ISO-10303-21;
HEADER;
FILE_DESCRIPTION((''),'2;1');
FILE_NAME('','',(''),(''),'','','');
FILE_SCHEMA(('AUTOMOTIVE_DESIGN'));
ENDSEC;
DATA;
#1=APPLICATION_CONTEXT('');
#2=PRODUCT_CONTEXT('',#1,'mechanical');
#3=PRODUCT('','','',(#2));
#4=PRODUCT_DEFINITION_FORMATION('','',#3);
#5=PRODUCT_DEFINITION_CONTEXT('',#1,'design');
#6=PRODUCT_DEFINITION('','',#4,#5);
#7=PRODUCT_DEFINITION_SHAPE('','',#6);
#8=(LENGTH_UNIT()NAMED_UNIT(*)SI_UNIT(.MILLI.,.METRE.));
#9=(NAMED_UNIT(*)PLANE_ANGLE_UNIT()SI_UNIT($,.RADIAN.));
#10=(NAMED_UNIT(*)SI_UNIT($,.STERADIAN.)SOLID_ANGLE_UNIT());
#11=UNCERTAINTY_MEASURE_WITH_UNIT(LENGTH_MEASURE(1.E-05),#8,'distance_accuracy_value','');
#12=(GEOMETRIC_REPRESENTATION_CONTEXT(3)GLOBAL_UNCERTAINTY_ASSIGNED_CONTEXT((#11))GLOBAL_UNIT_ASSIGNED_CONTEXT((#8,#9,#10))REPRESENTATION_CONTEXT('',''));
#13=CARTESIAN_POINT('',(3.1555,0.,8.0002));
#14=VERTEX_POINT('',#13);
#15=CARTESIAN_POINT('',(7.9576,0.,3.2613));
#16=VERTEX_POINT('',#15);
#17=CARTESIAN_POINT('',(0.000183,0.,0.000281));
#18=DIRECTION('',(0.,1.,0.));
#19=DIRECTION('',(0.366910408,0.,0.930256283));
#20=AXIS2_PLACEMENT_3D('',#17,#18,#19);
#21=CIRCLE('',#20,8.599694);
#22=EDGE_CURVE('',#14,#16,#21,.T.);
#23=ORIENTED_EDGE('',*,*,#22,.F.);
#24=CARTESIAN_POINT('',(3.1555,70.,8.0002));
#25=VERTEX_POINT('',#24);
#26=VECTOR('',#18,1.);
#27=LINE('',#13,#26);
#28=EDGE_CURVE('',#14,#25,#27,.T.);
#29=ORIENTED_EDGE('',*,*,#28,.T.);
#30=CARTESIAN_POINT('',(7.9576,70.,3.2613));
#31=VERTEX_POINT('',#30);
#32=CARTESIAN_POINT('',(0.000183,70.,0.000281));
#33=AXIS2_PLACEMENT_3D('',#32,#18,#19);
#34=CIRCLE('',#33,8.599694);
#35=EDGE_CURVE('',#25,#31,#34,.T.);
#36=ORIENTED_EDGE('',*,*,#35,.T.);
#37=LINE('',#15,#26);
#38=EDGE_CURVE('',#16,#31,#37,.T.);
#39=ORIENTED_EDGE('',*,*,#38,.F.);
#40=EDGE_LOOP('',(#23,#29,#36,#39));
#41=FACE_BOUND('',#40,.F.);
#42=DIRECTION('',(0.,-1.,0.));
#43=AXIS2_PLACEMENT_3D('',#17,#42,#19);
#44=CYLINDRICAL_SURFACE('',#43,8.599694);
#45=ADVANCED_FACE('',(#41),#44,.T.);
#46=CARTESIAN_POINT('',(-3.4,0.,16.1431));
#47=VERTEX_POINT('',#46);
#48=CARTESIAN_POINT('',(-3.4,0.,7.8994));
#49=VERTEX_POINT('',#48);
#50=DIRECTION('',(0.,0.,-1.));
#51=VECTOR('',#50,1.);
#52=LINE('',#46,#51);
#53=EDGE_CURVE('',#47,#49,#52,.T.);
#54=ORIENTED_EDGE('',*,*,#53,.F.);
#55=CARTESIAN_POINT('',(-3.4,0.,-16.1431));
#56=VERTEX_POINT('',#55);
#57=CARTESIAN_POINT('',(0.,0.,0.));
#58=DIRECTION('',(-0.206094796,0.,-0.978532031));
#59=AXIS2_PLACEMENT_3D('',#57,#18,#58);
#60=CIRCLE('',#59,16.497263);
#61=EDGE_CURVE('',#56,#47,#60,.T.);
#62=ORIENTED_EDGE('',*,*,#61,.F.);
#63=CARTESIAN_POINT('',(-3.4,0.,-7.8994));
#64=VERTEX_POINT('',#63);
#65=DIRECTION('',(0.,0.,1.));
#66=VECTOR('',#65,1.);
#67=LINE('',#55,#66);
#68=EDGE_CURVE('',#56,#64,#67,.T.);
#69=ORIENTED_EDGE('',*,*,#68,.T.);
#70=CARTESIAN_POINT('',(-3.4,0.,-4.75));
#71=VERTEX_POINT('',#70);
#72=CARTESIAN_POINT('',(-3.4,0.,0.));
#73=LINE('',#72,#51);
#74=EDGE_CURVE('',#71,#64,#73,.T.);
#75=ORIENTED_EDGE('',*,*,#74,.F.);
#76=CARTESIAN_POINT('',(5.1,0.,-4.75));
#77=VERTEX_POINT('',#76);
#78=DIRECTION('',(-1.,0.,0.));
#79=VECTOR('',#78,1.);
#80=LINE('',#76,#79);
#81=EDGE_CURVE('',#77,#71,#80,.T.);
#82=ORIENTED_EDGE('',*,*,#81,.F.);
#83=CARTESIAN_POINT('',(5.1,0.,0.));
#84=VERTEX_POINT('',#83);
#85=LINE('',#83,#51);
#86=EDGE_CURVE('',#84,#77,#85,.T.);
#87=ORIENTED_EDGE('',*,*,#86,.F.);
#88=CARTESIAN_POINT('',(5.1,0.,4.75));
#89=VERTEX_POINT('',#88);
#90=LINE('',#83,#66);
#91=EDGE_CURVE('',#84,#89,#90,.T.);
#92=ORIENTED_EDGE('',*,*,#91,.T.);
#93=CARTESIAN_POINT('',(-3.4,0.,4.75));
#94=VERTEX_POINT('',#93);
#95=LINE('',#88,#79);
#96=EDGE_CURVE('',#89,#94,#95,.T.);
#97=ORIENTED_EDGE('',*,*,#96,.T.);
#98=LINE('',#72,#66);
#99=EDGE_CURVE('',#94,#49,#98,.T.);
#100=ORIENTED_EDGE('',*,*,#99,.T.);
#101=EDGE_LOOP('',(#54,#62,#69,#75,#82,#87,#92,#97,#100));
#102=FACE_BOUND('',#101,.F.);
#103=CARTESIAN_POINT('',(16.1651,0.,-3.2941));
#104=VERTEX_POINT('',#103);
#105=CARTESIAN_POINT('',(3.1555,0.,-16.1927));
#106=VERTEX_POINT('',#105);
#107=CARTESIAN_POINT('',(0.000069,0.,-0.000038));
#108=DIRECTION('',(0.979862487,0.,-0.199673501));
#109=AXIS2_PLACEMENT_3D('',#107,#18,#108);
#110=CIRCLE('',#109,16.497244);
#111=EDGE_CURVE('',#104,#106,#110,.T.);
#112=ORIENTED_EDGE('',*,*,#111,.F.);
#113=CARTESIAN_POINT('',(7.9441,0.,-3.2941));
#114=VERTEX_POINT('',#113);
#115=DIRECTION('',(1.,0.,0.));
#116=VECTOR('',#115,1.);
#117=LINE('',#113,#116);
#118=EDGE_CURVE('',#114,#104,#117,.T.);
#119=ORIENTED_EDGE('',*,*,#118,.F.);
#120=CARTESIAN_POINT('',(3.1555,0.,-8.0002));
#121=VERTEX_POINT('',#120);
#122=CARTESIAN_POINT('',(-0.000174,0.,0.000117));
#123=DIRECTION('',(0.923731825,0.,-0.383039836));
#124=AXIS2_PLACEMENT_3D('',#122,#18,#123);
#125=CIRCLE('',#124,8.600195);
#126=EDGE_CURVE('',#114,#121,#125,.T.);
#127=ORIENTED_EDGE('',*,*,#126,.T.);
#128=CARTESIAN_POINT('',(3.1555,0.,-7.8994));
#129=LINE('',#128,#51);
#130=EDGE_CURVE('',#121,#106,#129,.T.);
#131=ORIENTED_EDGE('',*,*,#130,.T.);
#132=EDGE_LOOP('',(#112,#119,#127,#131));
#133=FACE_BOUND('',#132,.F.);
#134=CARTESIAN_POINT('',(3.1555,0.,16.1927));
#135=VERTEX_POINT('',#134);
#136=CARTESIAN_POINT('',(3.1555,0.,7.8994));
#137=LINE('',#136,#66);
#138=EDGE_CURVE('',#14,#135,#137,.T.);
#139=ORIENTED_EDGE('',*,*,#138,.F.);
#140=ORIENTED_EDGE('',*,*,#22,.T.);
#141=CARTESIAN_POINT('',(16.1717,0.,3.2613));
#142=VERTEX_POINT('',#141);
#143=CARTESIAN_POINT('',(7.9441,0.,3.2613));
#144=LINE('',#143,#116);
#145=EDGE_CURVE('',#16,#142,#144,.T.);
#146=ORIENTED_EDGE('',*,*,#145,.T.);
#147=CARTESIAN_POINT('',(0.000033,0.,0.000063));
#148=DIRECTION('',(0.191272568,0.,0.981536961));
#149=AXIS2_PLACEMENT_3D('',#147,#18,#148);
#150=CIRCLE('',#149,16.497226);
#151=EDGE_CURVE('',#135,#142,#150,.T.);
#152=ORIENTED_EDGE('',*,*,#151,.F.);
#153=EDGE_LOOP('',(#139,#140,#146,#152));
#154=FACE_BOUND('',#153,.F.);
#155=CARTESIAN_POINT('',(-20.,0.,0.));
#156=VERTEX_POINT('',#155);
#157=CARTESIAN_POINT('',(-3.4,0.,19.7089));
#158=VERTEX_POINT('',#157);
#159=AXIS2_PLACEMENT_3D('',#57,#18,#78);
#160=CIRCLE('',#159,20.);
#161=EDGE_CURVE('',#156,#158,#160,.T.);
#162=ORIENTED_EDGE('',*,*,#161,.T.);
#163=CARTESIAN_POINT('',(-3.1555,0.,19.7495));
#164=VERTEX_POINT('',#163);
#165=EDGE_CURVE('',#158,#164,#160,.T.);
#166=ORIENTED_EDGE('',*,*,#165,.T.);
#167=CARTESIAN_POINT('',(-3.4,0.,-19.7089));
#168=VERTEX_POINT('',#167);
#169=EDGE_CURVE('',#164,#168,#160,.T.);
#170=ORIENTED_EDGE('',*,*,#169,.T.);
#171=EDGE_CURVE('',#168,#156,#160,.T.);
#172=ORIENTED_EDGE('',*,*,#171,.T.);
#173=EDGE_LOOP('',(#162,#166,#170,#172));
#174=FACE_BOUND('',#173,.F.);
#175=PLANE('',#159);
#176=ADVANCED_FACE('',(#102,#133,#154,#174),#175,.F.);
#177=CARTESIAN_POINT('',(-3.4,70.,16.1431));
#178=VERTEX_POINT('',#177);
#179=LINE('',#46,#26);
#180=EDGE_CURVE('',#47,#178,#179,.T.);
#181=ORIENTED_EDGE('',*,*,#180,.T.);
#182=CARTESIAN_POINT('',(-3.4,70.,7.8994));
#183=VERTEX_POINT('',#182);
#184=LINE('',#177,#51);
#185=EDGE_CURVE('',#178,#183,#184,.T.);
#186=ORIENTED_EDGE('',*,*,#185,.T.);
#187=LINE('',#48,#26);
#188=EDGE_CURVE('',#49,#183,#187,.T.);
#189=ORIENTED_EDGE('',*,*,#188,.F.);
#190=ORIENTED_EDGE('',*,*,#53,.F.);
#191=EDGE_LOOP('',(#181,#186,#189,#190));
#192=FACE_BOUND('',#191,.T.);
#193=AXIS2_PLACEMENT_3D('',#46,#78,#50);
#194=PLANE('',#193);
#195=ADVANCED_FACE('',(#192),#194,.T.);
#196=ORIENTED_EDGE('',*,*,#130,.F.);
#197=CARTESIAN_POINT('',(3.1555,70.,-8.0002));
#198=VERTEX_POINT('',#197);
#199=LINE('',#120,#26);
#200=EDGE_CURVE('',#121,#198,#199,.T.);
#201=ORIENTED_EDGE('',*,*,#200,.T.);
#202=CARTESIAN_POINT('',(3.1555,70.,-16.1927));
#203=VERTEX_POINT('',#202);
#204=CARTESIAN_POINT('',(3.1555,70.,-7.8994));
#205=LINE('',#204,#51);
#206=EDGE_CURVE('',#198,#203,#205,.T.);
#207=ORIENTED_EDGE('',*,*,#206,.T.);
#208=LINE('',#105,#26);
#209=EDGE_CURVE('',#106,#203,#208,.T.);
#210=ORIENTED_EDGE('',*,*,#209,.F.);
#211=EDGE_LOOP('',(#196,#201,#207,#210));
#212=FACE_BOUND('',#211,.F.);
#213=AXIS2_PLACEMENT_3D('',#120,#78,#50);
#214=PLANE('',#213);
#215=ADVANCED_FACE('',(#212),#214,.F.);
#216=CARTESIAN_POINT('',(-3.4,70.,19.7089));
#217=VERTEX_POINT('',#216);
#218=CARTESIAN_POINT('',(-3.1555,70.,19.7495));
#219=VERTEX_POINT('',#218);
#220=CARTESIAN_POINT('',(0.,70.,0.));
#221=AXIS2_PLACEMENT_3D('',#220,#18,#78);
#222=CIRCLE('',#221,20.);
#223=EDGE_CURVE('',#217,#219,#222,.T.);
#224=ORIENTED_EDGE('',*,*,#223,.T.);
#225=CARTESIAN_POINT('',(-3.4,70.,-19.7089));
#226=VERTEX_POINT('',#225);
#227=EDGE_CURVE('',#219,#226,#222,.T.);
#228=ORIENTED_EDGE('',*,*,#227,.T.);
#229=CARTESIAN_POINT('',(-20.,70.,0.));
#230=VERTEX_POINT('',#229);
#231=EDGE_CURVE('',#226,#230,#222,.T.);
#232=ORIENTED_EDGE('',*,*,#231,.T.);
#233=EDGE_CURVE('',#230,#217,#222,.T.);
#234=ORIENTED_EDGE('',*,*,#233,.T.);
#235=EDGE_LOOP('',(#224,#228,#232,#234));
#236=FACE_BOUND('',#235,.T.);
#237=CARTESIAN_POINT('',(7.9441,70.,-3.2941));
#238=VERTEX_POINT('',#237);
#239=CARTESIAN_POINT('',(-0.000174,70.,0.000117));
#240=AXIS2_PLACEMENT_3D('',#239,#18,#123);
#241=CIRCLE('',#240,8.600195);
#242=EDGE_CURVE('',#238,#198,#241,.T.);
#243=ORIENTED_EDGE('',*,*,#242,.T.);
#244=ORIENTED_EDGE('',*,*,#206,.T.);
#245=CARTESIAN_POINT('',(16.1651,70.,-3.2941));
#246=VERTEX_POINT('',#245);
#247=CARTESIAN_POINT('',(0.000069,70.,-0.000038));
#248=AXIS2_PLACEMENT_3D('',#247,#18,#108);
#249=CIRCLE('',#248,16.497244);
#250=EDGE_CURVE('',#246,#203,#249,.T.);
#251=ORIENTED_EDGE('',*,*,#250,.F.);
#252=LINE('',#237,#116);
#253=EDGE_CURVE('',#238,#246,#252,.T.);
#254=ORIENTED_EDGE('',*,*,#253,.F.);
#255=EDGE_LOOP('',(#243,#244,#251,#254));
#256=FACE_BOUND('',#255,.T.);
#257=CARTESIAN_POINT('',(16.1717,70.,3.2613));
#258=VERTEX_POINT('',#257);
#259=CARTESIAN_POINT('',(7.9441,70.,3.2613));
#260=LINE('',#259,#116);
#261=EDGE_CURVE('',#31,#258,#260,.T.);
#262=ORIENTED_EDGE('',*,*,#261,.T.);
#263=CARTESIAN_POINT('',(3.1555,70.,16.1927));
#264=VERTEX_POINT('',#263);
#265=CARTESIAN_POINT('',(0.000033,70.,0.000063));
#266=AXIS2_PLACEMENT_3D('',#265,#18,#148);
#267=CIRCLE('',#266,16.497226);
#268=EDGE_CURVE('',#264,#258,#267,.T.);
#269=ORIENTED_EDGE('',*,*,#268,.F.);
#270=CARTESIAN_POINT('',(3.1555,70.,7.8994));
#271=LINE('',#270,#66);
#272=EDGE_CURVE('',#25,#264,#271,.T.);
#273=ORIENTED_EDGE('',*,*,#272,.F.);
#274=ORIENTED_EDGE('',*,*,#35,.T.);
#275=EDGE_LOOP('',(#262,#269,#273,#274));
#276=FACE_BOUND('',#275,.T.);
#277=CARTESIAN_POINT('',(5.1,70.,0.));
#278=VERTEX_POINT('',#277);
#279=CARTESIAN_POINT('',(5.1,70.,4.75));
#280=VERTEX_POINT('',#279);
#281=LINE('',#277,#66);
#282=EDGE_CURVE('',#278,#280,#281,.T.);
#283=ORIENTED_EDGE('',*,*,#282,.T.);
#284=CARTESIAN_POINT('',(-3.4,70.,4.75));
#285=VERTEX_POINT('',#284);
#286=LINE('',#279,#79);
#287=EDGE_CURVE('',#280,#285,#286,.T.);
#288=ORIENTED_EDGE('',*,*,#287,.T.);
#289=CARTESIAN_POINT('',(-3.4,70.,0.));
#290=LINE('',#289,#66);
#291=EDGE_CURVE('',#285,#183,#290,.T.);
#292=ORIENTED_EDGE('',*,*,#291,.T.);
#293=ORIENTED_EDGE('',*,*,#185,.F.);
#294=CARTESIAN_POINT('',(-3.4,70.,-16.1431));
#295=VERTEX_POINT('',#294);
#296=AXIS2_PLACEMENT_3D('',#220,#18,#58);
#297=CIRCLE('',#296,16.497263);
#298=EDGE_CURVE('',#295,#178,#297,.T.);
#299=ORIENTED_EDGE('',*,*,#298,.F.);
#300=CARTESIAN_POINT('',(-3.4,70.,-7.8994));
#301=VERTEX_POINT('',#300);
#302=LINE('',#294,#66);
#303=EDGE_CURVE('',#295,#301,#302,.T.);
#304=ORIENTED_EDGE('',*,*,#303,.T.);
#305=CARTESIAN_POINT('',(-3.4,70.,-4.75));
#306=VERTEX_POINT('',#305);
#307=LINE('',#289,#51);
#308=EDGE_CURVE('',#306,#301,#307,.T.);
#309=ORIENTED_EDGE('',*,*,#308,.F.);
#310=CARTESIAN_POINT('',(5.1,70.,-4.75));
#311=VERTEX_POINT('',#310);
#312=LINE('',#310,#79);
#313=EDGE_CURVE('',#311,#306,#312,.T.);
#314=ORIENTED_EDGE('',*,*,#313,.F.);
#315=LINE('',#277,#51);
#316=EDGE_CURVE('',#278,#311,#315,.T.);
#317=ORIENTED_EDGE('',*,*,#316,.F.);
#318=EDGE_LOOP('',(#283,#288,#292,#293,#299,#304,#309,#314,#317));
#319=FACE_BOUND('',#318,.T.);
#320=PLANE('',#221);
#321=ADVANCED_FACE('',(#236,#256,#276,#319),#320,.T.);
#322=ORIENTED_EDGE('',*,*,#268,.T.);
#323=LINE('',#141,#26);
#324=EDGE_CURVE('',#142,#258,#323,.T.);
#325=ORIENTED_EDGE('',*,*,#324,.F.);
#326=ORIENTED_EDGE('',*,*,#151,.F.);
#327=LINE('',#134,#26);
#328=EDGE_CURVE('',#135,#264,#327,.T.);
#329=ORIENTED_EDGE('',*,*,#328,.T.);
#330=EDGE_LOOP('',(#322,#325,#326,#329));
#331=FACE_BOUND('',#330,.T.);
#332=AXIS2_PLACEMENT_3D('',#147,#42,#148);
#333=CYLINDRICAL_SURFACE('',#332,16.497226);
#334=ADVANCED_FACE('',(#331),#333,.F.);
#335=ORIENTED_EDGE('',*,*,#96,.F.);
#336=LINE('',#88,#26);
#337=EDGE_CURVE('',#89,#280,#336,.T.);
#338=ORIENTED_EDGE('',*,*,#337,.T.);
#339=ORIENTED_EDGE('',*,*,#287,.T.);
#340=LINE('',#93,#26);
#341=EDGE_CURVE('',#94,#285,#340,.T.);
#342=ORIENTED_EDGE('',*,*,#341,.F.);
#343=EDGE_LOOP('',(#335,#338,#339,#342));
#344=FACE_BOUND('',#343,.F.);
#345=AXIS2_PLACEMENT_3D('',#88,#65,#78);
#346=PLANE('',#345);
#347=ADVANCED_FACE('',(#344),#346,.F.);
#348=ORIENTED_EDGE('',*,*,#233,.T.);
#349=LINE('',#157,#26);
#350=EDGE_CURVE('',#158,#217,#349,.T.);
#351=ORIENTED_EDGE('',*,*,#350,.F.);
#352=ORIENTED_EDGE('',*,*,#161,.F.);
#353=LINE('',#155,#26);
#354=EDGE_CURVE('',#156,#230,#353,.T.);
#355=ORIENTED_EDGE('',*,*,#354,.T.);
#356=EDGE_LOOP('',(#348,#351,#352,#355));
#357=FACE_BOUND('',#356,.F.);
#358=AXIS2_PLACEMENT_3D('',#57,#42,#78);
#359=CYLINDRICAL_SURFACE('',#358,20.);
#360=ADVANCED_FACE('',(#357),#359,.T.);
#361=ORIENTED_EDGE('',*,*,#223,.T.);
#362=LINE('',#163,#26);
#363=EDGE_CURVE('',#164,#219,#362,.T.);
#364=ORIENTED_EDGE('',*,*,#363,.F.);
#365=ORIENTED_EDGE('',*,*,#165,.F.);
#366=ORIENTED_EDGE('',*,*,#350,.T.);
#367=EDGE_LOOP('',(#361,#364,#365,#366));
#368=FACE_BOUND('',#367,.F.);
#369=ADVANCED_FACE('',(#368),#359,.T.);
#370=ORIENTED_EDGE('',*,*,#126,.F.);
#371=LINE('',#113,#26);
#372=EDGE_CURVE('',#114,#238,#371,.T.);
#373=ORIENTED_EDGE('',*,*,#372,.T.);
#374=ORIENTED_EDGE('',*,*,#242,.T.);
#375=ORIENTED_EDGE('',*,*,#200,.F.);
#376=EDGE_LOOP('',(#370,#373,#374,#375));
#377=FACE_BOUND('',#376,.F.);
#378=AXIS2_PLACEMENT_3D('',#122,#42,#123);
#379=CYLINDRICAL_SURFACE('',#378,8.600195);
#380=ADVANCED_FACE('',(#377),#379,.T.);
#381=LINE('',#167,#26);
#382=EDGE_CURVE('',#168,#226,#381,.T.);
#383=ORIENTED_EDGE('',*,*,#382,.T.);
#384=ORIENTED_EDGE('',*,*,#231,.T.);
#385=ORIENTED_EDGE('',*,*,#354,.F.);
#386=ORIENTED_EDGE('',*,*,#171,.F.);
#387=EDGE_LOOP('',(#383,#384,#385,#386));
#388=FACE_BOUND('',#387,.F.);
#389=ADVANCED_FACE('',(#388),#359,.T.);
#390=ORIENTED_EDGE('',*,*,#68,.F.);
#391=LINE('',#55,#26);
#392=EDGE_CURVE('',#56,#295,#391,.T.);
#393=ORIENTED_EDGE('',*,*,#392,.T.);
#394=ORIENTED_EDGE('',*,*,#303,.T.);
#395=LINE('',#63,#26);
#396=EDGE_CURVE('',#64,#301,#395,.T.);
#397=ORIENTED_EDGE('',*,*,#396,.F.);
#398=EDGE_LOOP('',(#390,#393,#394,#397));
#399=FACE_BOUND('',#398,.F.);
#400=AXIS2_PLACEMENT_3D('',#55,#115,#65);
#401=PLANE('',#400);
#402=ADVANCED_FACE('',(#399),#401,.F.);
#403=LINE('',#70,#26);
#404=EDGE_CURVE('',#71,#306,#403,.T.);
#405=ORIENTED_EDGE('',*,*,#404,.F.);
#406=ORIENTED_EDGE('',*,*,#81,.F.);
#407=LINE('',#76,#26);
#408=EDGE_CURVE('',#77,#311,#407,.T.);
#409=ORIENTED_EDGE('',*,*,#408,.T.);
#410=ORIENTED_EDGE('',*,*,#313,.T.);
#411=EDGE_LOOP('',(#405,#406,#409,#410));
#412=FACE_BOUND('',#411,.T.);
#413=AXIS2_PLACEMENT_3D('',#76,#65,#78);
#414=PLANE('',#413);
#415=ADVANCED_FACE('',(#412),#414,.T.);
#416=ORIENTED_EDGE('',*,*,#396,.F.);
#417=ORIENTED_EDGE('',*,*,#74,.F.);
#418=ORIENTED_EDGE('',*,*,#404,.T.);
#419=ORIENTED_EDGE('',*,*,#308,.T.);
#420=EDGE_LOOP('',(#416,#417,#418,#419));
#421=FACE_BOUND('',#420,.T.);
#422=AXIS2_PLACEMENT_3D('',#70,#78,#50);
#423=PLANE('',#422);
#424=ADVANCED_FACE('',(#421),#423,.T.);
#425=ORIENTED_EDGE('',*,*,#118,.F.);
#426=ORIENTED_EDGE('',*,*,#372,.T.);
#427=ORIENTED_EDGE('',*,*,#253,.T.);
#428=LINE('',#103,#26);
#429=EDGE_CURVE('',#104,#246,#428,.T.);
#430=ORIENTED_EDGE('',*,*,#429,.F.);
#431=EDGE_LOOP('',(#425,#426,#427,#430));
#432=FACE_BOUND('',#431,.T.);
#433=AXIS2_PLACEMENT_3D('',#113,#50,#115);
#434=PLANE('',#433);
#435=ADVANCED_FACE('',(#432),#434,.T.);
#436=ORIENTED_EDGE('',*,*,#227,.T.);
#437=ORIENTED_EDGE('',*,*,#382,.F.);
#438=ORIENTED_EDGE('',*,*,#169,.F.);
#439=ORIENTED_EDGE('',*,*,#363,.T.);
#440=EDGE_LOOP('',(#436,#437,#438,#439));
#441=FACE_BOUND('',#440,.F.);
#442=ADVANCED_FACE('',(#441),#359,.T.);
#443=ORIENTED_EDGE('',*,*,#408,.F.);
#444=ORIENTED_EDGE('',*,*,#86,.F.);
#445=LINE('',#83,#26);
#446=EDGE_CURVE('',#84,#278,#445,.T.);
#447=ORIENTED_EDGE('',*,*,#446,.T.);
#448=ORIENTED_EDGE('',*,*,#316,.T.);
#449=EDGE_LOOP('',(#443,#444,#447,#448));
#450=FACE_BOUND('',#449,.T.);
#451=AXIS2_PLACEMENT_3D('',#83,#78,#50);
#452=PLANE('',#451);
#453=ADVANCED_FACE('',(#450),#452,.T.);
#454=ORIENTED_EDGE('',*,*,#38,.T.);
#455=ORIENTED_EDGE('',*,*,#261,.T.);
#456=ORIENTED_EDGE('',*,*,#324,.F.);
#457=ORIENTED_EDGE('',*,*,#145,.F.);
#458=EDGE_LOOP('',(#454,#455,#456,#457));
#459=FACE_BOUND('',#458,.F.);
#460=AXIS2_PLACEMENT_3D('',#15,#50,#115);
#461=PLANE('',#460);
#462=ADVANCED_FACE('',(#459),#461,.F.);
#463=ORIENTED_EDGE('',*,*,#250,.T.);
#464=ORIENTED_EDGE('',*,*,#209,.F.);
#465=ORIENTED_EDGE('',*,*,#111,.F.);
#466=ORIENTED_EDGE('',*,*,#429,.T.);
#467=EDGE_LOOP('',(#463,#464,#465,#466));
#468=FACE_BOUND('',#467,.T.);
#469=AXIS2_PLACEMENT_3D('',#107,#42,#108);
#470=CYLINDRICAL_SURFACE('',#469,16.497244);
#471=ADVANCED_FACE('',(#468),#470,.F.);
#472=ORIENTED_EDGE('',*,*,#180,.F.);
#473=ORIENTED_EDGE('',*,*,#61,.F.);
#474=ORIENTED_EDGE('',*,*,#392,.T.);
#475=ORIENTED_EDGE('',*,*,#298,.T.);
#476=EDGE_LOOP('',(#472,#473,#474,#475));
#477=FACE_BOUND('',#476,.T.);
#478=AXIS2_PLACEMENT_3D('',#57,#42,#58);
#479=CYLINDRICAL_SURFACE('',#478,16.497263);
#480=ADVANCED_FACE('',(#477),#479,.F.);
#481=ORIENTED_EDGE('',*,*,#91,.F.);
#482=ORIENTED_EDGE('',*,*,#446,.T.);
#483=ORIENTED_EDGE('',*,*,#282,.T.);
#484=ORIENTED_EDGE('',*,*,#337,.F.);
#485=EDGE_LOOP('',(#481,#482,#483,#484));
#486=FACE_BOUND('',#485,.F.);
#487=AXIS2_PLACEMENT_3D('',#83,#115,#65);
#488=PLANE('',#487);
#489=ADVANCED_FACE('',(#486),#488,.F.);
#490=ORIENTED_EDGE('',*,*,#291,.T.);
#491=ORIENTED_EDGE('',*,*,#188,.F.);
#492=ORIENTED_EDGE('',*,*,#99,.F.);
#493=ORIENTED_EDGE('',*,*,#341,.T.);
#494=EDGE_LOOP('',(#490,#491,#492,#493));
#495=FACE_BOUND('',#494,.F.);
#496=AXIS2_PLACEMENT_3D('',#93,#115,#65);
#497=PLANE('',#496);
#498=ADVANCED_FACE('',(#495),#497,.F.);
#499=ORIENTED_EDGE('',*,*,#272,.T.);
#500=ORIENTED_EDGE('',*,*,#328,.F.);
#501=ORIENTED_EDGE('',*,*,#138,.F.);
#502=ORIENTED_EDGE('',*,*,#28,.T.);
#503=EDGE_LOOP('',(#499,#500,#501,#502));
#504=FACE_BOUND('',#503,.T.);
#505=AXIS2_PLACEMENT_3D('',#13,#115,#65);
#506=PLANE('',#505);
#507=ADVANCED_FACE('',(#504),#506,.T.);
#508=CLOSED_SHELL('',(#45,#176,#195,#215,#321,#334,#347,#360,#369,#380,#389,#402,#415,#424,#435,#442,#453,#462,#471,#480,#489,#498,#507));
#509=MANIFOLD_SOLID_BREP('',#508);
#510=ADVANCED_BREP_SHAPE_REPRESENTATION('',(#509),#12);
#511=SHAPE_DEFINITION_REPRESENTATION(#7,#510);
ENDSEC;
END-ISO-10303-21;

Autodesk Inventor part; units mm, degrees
ref_plane "YZ Plane" through (0, 0, 0) normal (1, 0, 0) x (0, 1, 0)
ref_plane "XZ Plane" through (0, 0, 0) normal (0, 1, 0) x (-1, 0, 0)
ref_plane "XY Plane" through (0, 0, 0) normal (0, 0, 1) x (1, 0, 0)
sketch "Sketch1" plane through (0, 0, 0) normal (0, 1, 0) x (-1, 0, 0)
  circle A0 centre (0, 0) radius 20
  line L0 (-8.6, 0) -> (3.4, 0)
  line L1 (3.4, 0) -> (3.4, 7.8994)
  line L2 (3.4, 0) -> (3.4, -7.8994)
  line L3 (3.4, 0) -> (-5.1, 0)
  line L4 (-5.1, 0) -> (-5.1, -4.75)
  line L5 (-5.1, -4.75) -> (3.4, -4.75)
  line L6 (3.4, -4.75) -> (3.4, 0)
  line L7 (-5.1, 0) -> (-5.1, 4.75)
  line L8 (-5.1, 4.75) -> (3.4, 4.75)
  line L9 (-3.1555, 7.8994) -> (-3.1555, 16.1927)
  line L10 (-7.9441, -3.2941) -> (-16.1651, -3.2941)
  line L11 (3.1555, 19.7495) -> (3.4, 19.7495)
  line L12 (-3.1555, -7.8994) -> (-3.1555, -16.1927)
  line L13 (-7.9441, 3.2613) -> (-16.1717, 3.2613)
  line L14 (3.4, 19.7495) -> (3.4, 19.7089)
  line L15 (3.4, 16.1431) -> (3.4, 7.8994)
  line L16 (-8.6, -0.0164) -> (-7.9441, -0.0164)
  line L17 (3.4, -19.7495) -> (3.4, -19.7089)
  line L18 (3.4, -16.1431) -> (3.4, -7.8994)
  arc A1 (-7.9441, -3.2941) -> (-3.1555, -8.0002) centre (0, 0) ccw
  arc A2 (-3.1555, 8.0002) -> (-7.9576, 3.2613) centre (0, 0) ccw
  arc A3 (-8.6, 0) -> (-8.6, -0.0164) centre (0, 0) ccw
  arc A4 (3.4, -16.1431) -> (3.4, 16.1431) centre (0, 0) ccw
  arc A5 (-3.1555, 16.1927) -> (-16.1717, 3.2613) centre (0, 0) ccw
  arc A6 (-16.1651, -3.2941) -> (-3.1555, -16.1927) centre (0, 0) ccw
  point P0 (-3.1555, 19.7495)
  point P1 (-19.7269, -3.2941)
  point P2 (-3.1555, -19.7495)
  point P3 (-19.7269, 3.2613)
  dimension "d0" = 40
  dimension "d2" = 12
  dimension "d4" = 8.5
extrude "Extrusion1" add sketch "Sketch1" along normal blind 70 contours A0
ref_plane "Work Plane1" through (0, 34.925, 0) normal (0, -1, 0) x (1, 0, 0)
equation "\"d6\" = 0.5 * d5"
equation "\"d5\" = 6.555455"
properties part number "axel"
